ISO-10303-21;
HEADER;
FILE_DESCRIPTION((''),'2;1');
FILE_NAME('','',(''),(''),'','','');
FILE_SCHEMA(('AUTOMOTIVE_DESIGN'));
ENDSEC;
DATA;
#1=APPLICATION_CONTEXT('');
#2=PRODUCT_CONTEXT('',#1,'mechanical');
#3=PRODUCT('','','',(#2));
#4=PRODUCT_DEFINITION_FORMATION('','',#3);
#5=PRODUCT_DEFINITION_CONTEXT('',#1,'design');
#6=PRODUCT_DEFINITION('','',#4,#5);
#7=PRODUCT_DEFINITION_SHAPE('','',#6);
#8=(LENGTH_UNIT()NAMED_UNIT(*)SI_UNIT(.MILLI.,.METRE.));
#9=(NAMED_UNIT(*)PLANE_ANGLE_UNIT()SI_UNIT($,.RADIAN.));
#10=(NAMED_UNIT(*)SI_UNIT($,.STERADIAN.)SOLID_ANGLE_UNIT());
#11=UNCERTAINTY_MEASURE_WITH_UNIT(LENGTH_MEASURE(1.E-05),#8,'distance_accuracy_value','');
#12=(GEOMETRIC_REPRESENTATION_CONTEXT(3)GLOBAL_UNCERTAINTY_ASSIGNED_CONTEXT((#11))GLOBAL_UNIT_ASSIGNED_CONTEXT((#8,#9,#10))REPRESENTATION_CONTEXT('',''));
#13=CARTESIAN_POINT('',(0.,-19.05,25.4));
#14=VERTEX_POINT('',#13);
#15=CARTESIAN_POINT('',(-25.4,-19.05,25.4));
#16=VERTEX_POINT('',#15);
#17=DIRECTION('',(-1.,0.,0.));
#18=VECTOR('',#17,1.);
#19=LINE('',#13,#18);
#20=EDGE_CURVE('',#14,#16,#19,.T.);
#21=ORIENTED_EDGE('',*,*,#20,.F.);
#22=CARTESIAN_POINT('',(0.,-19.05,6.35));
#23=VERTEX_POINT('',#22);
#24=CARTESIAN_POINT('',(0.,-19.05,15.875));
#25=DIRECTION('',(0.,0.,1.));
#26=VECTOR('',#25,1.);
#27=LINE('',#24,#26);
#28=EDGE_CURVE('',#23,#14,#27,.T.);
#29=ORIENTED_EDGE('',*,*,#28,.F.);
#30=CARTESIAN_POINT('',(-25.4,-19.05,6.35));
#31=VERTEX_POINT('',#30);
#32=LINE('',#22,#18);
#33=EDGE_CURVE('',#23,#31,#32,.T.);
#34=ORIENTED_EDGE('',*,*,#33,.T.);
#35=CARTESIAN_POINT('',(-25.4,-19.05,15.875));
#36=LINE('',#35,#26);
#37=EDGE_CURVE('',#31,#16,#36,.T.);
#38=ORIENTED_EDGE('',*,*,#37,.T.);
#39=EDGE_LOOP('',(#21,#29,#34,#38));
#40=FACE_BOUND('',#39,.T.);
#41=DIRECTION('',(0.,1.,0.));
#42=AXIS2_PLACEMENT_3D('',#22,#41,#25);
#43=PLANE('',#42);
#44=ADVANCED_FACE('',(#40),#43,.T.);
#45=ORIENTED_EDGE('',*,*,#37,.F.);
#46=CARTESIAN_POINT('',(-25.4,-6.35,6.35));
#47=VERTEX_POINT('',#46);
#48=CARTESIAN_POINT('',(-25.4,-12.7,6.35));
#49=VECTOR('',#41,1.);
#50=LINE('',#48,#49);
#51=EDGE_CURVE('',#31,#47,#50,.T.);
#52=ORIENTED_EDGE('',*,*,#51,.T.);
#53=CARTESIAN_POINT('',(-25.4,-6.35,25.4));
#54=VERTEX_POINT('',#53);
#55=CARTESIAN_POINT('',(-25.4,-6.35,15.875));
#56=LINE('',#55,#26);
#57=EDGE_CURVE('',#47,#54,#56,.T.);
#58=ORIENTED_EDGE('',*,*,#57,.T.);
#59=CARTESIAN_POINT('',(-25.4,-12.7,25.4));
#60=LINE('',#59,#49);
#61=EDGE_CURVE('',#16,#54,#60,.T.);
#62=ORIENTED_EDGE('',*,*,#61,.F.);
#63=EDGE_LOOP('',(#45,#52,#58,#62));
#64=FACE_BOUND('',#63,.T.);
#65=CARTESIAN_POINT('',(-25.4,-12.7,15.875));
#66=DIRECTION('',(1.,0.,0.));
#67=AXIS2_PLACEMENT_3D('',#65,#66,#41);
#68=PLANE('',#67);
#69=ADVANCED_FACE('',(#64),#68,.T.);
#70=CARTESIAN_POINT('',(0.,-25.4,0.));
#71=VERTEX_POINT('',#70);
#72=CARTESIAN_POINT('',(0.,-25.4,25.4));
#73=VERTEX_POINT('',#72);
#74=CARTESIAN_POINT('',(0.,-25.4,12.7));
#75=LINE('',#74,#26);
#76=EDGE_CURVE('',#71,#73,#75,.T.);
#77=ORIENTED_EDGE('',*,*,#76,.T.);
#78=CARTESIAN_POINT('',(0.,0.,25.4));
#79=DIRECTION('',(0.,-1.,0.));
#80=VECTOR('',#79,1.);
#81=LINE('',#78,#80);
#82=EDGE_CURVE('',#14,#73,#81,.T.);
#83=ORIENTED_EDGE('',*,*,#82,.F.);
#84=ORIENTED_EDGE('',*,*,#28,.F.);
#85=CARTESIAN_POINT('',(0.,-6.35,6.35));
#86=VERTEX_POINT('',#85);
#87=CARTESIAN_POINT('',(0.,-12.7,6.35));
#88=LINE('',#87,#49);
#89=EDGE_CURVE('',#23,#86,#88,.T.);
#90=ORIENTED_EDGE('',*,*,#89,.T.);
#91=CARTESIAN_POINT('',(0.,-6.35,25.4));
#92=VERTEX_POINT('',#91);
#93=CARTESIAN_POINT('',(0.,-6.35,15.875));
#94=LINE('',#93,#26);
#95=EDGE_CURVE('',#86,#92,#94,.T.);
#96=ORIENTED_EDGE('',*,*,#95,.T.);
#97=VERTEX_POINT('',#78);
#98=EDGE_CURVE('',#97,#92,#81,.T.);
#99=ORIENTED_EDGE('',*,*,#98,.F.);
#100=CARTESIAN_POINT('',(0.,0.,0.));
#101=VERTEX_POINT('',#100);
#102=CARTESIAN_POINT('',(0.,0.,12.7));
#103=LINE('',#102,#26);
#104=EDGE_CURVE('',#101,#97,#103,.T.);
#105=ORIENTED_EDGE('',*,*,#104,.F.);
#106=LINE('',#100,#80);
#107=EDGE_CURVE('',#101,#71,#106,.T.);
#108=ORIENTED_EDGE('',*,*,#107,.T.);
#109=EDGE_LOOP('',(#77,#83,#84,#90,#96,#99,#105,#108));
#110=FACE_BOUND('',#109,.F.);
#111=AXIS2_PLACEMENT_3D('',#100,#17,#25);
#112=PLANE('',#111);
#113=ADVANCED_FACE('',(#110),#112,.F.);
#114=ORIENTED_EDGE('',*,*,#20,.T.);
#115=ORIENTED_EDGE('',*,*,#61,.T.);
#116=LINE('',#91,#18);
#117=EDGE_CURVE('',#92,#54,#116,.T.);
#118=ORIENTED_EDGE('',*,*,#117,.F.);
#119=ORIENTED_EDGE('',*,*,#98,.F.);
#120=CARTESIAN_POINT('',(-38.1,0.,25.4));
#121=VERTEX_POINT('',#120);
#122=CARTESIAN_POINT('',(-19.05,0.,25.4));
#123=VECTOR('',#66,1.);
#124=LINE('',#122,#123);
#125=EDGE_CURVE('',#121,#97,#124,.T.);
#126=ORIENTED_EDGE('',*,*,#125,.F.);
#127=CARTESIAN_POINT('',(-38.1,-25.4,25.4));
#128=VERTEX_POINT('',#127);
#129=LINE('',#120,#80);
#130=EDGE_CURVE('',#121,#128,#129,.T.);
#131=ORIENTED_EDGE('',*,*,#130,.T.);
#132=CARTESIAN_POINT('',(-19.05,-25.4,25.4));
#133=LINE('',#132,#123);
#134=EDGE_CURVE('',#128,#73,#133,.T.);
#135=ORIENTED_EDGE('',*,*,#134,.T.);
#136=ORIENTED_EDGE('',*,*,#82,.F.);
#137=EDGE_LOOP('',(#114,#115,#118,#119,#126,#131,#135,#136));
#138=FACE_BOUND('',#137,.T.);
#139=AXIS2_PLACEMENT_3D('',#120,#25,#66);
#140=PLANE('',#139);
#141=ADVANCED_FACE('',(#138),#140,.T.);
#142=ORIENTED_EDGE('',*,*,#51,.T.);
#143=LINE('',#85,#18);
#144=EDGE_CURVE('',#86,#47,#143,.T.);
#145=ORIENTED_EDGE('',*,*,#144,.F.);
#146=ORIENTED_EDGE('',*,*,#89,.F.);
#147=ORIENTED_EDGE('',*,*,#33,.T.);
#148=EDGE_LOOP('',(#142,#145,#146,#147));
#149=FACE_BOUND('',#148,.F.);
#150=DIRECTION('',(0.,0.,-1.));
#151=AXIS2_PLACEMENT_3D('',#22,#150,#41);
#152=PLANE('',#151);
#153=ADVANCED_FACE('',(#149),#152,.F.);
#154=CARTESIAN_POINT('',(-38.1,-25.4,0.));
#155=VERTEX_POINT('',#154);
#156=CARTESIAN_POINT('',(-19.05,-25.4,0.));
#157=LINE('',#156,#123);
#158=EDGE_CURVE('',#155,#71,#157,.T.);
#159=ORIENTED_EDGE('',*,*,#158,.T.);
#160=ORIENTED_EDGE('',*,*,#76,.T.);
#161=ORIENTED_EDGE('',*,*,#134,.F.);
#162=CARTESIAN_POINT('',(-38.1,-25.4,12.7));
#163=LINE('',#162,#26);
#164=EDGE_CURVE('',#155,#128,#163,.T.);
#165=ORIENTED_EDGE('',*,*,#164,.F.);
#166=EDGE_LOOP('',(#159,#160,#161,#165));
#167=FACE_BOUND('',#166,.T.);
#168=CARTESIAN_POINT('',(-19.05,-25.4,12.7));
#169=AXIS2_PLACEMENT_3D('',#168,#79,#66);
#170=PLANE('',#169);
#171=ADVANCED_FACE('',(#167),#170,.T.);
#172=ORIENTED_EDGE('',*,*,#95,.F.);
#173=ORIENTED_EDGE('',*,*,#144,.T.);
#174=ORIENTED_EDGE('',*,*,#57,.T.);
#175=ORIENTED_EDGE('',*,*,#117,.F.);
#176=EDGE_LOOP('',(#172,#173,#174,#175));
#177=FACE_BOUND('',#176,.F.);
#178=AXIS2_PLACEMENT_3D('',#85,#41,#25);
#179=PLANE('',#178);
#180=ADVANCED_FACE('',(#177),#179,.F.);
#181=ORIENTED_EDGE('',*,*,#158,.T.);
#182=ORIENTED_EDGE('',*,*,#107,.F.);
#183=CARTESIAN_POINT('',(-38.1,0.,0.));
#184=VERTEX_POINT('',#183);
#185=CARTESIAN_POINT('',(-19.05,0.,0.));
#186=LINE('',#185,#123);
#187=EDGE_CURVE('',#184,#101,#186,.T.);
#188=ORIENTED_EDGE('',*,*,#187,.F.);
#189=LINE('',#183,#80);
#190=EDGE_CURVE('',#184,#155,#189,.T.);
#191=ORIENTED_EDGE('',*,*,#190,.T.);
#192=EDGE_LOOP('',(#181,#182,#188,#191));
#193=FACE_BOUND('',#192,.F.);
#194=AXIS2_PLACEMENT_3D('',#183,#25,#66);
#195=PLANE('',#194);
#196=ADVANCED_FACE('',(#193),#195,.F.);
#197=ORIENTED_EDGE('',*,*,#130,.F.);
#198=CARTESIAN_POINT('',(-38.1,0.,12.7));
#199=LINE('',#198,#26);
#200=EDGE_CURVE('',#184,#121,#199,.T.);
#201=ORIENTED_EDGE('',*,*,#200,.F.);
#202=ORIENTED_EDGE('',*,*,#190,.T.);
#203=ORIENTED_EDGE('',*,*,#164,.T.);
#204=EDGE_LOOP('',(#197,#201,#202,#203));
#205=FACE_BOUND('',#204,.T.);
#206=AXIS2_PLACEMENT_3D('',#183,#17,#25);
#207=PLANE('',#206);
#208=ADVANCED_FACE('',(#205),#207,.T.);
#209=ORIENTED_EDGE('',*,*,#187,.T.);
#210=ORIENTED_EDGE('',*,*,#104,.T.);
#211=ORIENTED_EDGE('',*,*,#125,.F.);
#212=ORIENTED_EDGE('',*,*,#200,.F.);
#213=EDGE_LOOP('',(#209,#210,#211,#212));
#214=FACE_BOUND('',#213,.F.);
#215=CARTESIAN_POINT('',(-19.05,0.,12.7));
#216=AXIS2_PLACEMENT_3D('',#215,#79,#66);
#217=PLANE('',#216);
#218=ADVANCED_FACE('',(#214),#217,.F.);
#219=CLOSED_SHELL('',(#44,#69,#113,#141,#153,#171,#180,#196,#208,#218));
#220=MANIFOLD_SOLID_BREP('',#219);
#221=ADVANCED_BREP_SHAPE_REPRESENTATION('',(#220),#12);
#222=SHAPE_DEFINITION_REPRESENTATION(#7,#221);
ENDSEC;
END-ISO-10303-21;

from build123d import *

# Parameters (mm, degrees)
F0_W     = 38.1
F0_H     = 25.4
F1_DEPTH = 25.4
F2_W     = 12.7
F2_H     = 19.05
F3_DEPTH = 25.4


with BuildPart() as f1:
    # F0 (on Front) → F1 (new body)
    with BuildSketch(Plane.XZ):
        with Locations((-19.05, 12.7)):
            Rectangle(F0_W, F0_H)
    extrude(amount=F1_DEPTH)

    # F2 (on face) → F3 (cut)
    with BuildSketch(Plane.YZ):
        with Locations((-12.7, 15.875)):
            Rectangle(F2_W, F2_H)
    extrude(amount=-F3_DEPTH, mode=Mode.SUBTRACT)


solid = f1.part
